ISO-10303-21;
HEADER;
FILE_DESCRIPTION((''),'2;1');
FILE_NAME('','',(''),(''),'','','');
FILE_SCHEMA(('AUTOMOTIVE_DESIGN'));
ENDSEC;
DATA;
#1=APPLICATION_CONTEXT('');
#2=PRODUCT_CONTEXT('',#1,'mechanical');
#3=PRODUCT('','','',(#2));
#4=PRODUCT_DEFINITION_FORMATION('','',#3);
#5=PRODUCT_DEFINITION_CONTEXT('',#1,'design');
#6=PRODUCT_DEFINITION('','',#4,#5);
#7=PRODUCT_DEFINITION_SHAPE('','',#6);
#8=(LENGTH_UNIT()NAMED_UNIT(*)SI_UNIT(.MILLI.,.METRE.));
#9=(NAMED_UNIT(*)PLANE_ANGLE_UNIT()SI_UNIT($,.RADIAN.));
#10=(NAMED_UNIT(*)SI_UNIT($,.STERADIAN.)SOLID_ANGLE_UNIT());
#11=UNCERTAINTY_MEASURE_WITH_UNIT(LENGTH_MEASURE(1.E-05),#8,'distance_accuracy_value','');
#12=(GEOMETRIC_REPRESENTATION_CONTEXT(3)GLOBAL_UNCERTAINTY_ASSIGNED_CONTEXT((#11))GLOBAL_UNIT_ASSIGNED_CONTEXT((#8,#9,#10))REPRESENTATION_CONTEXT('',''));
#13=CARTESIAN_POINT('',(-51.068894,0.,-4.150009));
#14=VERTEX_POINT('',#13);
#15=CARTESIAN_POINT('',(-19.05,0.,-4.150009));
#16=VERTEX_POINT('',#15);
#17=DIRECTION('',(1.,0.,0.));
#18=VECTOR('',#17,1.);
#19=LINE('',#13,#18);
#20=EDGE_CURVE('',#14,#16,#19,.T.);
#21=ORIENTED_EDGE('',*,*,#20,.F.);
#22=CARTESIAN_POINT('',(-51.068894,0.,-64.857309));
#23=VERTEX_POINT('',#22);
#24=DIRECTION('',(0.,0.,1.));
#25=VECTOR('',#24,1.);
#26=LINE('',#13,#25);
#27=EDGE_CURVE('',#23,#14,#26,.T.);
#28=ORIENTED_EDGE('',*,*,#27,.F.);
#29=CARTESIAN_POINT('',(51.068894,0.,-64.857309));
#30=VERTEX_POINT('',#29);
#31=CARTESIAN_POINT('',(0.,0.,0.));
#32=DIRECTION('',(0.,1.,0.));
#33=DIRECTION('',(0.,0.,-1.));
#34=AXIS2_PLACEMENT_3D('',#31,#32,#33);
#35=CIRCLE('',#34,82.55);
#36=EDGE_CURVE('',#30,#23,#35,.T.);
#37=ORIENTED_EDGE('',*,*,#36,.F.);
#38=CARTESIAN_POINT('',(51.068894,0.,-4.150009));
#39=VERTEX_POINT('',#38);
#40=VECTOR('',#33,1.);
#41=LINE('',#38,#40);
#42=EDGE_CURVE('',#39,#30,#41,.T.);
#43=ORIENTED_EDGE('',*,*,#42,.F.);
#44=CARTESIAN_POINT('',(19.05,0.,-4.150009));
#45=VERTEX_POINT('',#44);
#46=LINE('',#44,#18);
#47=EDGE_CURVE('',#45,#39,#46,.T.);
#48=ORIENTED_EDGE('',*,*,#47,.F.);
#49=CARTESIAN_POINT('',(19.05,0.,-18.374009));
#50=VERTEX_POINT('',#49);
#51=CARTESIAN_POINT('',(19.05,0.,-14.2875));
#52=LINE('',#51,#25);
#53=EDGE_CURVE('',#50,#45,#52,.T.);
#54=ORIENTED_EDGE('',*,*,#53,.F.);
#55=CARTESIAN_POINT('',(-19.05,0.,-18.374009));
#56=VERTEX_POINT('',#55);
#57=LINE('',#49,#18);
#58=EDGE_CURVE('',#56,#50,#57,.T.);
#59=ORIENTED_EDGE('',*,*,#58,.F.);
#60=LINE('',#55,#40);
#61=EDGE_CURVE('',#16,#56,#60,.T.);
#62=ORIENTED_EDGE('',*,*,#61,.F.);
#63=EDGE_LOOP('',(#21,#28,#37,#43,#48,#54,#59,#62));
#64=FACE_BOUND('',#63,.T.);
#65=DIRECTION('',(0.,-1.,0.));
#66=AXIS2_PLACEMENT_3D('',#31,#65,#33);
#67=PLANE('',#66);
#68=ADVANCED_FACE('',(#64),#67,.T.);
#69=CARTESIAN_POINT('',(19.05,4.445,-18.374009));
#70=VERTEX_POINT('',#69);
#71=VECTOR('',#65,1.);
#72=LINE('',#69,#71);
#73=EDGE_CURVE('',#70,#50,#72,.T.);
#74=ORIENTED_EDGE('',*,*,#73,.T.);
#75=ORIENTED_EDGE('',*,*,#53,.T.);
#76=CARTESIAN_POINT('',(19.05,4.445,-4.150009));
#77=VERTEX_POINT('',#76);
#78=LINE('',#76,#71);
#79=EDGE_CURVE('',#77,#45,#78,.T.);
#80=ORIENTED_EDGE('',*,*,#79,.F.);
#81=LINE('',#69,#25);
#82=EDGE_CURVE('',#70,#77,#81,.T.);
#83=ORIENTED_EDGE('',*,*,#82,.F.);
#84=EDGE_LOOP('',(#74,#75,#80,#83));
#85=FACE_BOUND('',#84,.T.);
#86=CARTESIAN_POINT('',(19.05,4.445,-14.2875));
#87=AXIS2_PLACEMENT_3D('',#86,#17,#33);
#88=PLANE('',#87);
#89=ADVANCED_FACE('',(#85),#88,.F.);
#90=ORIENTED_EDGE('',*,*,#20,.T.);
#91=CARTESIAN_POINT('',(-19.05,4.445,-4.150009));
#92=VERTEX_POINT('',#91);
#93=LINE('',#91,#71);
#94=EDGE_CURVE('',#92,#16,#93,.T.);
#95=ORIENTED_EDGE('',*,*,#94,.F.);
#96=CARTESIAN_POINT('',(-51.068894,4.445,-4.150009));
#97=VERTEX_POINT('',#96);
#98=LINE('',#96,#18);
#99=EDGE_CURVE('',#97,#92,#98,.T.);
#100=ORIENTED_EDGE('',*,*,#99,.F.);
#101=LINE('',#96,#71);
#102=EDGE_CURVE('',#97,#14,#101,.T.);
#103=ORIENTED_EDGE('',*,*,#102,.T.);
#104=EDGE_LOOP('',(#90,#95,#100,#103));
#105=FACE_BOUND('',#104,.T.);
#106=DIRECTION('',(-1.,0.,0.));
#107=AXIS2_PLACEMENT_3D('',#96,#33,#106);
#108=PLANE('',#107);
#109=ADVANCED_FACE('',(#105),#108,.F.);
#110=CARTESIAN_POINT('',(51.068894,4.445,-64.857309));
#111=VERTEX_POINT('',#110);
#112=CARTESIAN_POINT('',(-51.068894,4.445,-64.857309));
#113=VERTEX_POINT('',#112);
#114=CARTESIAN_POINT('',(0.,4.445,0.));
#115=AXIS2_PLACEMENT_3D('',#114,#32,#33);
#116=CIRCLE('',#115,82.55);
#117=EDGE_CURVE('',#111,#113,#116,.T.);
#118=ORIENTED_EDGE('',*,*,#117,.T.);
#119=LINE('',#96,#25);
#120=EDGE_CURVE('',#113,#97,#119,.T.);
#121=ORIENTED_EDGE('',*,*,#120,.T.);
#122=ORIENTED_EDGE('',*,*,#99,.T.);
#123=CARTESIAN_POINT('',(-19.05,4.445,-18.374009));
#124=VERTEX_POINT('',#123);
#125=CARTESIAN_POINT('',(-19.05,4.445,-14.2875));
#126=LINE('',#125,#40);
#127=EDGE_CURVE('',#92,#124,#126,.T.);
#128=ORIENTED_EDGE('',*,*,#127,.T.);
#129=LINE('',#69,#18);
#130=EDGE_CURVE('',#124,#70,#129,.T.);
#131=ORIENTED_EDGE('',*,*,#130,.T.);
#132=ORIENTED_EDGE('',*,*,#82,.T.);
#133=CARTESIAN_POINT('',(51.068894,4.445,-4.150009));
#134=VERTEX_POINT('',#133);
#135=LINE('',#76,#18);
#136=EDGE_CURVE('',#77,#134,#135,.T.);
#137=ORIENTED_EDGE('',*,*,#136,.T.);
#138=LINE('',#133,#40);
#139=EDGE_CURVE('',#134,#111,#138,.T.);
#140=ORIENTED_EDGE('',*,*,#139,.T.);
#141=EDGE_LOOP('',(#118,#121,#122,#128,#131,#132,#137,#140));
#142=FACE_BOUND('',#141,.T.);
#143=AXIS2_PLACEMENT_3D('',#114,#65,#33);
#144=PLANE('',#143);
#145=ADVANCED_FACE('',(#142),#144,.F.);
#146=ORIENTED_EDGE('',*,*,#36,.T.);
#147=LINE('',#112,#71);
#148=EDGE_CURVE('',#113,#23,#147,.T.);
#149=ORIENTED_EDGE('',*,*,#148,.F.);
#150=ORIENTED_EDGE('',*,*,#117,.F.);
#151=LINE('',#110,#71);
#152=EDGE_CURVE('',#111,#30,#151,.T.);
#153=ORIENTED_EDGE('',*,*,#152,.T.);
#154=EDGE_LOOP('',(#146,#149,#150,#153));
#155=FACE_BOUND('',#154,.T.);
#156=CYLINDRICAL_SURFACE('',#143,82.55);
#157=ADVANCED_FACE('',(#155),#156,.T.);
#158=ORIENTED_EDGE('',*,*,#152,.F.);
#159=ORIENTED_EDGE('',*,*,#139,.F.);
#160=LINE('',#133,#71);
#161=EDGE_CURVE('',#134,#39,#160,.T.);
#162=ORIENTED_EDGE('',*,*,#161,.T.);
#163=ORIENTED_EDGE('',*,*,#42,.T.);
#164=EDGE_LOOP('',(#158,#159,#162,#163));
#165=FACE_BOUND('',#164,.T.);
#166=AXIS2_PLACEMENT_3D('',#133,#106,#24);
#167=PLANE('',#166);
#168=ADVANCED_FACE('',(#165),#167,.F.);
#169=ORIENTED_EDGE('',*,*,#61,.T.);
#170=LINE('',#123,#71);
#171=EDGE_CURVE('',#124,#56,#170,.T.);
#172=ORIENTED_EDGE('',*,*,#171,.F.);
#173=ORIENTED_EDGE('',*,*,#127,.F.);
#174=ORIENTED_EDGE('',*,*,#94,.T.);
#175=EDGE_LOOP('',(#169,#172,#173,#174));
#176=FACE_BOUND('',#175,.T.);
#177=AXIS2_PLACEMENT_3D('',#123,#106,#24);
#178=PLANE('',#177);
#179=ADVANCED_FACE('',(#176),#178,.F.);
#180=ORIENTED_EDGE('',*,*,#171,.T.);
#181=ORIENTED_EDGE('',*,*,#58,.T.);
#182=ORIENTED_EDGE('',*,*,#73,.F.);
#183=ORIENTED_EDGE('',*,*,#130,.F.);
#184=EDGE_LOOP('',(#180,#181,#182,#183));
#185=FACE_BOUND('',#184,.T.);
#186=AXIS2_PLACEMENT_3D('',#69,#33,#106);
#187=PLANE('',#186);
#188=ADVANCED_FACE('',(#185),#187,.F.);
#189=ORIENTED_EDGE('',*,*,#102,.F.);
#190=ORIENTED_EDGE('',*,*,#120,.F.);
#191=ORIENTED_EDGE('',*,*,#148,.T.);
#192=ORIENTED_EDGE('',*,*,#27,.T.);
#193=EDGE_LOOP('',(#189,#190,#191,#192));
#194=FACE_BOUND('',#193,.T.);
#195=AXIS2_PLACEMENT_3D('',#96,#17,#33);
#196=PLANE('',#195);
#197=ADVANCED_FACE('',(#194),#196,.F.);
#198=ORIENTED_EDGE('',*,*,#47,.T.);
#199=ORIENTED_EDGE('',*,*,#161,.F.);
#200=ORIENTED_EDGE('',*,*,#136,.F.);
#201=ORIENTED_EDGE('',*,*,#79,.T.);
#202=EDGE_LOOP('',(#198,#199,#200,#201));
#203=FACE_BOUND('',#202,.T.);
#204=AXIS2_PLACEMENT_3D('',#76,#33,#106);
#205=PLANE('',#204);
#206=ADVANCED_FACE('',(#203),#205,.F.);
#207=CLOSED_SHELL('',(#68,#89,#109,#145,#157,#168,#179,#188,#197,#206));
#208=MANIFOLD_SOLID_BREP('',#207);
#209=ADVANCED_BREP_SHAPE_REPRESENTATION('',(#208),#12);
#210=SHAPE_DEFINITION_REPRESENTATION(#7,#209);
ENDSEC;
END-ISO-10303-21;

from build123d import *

# Parameters (mm, degrees)
BOSS_EXTRUDE2_DEPTH = 4.445


with BuildPart() as part:
    # Sketch1 → Boss-Extrude2 (new body)
    with BuildSketch(Plane(origin=(0, 0, 0), x_dir=(1, 0, 0), z_dir=(0, 1, 0))):
        with BuildLine():
            Line((-51.06889371, 4.150009473), (-51.06889371, 64.857309497))
            ThreePointArc((-51.06889371, 64.857309497), (0, 82.55), (51.06889371, 64.857309497))
            Line((51.06889371, 64.857309497), (51.06889371, 4.150009473))
            Line((51.06889371, 4.150009473), (19.05, 4.150009473))
            Line((19.05, 4.150009473), (19.05, 14.2875))
            Line((19.05, 14.2875), (19.05, 18.374009473))
            Line((19.05, 18.374009473), (-19.05, 18.374009473))
            Line((-19.05, 18.374009473), (-19.05, 14.2875))
            Line((-19.05, 14.2875), (-19.05, 4.150009473))
            Line((-19.05, 4.150009473), (-51.06889371, 4.150009473))
        make_face()
    extrude(amount=BOSS_EXTRUDE2_DEPTH)


solid = part.part
